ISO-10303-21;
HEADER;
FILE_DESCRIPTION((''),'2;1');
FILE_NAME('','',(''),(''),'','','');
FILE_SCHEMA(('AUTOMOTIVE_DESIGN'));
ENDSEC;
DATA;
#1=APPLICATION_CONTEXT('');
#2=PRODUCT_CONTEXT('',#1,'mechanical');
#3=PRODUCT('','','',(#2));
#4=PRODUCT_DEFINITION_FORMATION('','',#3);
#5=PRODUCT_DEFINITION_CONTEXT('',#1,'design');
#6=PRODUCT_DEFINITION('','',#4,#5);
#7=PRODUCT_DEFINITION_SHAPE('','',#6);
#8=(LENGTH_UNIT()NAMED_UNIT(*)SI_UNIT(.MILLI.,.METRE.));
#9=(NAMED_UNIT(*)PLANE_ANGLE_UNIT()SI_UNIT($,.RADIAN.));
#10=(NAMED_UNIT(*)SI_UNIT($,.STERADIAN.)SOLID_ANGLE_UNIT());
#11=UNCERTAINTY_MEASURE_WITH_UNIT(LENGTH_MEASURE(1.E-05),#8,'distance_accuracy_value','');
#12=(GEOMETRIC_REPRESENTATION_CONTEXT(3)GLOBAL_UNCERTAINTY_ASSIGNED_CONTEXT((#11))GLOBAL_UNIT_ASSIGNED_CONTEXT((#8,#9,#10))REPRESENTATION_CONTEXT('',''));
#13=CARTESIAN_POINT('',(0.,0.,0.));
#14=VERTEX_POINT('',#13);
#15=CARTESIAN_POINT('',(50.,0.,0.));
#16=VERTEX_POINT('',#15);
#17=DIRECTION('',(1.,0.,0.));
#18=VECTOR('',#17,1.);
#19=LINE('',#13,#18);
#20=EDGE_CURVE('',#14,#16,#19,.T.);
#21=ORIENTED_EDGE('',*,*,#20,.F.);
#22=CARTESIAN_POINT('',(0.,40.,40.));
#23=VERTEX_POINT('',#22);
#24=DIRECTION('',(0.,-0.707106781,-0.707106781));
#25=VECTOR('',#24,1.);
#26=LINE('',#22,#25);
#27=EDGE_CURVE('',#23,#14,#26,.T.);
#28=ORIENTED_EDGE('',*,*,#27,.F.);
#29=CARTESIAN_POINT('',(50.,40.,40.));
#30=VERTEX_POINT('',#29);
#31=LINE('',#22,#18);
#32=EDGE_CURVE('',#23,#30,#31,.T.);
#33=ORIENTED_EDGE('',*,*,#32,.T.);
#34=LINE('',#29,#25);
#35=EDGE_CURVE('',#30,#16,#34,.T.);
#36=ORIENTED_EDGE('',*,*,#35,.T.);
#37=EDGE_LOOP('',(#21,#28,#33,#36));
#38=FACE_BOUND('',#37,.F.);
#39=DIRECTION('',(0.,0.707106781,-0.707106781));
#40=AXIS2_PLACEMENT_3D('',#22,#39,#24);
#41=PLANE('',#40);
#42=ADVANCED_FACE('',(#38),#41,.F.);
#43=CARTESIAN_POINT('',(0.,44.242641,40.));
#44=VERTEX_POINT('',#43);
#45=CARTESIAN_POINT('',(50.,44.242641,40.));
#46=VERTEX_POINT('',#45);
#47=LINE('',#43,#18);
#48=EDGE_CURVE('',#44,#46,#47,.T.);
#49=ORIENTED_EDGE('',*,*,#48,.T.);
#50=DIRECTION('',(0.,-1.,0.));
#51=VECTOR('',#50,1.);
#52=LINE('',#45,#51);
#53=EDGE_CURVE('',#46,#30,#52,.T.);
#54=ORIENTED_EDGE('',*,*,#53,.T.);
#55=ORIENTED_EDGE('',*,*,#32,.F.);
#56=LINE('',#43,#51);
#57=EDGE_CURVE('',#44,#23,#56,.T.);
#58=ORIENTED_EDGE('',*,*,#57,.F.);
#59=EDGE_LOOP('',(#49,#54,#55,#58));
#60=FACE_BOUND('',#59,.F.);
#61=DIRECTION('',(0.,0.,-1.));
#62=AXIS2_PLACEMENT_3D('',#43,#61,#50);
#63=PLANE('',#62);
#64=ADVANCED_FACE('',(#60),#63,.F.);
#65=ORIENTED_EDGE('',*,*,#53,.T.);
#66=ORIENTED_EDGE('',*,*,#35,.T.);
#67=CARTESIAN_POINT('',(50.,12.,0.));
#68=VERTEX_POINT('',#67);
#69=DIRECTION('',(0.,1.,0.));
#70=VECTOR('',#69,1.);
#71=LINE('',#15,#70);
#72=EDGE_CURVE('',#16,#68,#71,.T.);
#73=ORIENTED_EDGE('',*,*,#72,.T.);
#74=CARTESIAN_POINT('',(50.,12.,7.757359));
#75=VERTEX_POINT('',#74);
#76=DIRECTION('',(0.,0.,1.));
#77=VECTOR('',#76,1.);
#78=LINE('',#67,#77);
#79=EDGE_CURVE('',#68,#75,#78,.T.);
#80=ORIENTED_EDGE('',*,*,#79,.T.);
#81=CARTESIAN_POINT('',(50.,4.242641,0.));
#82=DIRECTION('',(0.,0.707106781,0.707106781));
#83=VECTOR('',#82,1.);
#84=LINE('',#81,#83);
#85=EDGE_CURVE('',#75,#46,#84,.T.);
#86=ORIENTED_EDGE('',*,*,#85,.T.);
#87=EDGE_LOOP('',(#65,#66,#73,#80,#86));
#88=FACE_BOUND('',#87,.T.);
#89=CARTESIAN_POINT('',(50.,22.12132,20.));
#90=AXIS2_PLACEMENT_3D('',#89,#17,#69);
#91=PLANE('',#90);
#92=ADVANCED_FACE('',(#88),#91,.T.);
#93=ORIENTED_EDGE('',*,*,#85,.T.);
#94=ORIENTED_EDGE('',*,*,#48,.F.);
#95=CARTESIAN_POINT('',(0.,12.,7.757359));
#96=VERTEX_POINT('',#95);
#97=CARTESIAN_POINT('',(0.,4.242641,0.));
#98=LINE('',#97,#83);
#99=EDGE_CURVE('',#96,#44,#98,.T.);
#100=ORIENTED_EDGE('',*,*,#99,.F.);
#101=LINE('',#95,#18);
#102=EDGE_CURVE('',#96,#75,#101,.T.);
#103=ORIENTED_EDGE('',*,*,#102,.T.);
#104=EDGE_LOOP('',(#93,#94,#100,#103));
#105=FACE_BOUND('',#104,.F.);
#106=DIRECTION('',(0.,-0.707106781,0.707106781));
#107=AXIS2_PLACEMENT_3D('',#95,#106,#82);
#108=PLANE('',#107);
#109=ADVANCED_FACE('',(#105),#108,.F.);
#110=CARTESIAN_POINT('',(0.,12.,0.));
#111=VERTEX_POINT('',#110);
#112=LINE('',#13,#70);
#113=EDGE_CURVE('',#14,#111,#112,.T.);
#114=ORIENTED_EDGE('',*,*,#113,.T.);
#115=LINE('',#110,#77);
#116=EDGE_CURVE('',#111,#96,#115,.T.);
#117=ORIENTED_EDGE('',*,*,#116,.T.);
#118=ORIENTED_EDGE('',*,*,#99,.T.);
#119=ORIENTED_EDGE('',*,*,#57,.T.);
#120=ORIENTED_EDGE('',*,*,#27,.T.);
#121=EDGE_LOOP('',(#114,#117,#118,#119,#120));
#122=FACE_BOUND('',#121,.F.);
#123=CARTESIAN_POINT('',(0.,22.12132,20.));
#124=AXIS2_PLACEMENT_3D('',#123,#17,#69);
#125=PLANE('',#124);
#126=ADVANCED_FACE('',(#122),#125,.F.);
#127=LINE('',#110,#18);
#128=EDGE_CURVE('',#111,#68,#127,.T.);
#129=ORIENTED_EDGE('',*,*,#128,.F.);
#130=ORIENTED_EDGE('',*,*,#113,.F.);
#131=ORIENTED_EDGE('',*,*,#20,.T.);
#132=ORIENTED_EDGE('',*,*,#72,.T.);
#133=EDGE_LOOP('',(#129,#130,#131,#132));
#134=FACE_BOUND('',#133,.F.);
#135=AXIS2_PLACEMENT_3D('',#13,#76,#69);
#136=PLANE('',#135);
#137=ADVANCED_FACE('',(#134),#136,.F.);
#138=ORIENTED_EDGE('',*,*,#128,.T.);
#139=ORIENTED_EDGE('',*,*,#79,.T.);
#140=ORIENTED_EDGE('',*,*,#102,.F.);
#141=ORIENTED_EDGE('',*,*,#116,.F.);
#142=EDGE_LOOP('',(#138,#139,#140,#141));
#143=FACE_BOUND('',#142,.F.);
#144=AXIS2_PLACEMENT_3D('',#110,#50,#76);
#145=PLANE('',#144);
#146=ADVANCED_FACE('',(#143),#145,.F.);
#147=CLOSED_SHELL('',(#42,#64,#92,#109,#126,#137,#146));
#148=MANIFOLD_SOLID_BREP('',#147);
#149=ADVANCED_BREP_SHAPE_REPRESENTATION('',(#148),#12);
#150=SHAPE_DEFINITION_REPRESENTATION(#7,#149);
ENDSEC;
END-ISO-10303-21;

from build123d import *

# Parameters (mm, degrees)
F1_DEPTH = 50


with BuildPart() as f1:
    # F0 (on Right) → F1 (new body)
    with BuildSketch(Plane.YZ):
        Polygon((40, 40), (0, 0), (4.242641, 0), (12, 7.757359), (44.242641, 40), align=None)
        Polygon((12, 7.757359), (4.242641, 0), (12, 0), align=None)
    extrude(amount=F1_DEPTH)


solid = f1.part
